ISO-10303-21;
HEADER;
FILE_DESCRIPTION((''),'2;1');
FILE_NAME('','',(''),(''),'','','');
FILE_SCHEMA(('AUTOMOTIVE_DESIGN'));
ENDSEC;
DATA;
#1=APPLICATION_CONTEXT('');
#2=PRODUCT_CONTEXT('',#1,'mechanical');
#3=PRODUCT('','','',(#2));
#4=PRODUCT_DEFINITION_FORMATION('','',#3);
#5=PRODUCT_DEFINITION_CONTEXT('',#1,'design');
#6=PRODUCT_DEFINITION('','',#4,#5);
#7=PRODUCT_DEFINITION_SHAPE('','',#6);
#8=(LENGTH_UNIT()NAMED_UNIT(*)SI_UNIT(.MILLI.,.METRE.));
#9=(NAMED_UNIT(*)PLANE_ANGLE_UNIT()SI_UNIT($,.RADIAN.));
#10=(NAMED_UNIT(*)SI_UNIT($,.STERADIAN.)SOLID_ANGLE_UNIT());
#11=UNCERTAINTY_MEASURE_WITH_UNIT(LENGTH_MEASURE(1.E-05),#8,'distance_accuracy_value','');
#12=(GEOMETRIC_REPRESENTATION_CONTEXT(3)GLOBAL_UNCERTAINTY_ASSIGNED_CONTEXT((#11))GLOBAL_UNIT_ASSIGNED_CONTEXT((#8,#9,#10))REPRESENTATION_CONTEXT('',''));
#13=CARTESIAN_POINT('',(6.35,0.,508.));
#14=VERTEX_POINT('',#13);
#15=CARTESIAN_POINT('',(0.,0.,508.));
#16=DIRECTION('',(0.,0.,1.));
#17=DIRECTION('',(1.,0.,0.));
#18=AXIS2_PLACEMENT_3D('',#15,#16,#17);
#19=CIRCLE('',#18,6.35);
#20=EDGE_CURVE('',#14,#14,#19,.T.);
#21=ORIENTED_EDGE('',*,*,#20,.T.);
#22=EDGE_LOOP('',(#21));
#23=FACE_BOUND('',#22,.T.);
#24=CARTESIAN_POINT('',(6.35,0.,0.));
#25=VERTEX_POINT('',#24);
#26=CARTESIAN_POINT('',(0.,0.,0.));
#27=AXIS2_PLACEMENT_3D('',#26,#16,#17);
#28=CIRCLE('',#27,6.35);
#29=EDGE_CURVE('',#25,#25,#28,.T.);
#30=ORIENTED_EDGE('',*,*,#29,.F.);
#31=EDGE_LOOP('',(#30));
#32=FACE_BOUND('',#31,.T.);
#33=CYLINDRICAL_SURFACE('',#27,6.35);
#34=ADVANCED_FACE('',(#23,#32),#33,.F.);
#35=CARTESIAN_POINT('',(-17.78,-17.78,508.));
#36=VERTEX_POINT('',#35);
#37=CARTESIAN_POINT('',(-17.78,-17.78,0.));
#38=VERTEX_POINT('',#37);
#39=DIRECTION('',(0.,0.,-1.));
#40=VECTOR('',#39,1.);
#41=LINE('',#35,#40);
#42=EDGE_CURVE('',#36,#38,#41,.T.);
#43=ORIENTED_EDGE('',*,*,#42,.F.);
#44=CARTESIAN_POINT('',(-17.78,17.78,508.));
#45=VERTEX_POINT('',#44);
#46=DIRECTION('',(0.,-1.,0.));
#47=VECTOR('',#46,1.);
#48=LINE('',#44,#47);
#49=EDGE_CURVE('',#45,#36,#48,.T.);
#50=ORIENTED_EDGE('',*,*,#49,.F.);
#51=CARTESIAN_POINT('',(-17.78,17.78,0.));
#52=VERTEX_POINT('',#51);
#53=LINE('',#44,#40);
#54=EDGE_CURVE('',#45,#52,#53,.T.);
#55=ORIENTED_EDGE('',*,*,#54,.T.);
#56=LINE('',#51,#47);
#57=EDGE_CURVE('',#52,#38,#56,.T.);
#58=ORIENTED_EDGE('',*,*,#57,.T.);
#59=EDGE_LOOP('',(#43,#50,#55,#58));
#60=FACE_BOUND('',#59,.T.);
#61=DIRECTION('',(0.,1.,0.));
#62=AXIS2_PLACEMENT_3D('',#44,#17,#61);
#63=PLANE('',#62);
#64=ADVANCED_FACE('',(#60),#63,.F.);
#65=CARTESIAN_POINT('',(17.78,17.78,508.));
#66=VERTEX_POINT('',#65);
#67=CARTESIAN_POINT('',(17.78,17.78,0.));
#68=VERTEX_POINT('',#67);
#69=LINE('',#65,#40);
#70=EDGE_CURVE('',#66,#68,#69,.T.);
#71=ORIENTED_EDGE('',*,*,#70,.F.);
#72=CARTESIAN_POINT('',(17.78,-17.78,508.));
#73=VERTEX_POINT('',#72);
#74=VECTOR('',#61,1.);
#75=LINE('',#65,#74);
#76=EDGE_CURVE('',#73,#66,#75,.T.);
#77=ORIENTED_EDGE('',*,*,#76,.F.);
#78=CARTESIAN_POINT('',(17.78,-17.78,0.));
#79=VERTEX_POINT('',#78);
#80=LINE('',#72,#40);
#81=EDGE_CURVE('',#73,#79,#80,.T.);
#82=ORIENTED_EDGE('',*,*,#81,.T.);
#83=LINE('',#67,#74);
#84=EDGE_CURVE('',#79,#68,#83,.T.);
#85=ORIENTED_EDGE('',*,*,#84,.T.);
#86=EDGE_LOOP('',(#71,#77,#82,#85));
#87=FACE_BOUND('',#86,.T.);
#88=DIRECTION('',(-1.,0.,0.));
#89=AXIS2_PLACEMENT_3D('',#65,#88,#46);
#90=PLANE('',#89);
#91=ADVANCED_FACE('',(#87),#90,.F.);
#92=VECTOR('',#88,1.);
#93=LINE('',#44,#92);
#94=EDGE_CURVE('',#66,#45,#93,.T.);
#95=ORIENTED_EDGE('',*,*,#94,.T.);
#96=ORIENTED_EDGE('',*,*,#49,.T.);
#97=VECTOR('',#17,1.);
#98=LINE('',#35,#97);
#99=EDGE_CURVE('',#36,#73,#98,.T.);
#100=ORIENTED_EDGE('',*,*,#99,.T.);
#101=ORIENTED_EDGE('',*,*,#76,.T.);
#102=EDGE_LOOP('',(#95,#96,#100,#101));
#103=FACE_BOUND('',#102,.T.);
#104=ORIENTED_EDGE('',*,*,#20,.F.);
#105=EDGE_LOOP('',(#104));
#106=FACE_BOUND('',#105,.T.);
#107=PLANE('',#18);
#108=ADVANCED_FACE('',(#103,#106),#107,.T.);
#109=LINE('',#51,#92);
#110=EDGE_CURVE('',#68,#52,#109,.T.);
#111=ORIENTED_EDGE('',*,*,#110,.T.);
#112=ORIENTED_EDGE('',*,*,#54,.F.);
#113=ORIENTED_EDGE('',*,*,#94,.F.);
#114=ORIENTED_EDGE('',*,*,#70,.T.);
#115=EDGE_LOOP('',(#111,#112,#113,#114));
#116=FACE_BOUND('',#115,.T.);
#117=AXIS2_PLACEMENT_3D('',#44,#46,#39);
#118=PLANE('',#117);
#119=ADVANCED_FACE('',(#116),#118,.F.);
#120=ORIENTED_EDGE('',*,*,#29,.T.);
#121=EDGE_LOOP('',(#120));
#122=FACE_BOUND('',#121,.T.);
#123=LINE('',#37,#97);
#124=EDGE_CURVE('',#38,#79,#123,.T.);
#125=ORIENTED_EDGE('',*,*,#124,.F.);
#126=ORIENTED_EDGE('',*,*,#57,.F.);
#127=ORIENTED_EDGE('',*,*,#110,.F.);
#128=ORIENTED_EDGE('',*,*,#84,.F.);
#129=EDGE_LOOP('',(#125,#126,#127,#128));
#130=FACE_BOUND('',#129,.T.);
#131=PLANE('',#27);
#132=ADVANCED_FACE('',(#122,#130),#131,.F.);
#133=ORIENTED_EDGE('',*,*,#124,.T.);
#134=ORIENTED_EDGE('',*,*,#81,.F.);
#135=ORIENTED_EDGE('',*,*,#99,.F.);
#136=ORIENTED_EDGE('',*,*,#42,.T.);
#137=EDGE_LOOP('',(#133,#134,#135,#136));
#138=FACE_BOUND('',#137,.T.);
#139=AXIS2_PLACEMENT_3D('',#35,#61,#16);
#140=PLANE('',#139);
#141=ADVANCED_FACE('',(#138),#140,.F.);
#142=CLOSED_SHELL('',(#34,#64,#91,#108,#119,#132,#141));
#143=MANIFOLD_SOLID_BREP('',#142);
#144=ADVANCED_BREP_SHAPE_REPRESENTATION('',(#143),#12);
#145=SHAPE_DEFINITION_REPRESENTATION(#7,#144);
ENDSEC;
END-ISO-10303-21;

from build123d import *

# Parameters (mm, degrees)
SKETCH1_W           = 35.56
SKETCH1_H           = 35.56
BOSS_EXTRUDE1_DEPTH = 508
SKETCH2_R           = 6.35
CUT_EXTRUDE1_DEPTH  = 509.621919307


with BuildPart() as part:
    # Sketch1 → Boss-Extrude1 (new body)
    with BuildSketch(Plane.XY):
        Rectangle(SKETCH1_W, SKETCH1_H)
    extrude(amount=BOSS_EXTRUDE1_DEPTH)

    # Sketch2 → Cut-Extrude1 (cut, through all)
    with BuildSketch(Plane.XY.offset(508)):
        Circle(SKETCH2_R)
    extrude(amount=-CUT_EXTRUDE1_DEPTH, mode=Mode.SUBTRACT)


solid = part.part
